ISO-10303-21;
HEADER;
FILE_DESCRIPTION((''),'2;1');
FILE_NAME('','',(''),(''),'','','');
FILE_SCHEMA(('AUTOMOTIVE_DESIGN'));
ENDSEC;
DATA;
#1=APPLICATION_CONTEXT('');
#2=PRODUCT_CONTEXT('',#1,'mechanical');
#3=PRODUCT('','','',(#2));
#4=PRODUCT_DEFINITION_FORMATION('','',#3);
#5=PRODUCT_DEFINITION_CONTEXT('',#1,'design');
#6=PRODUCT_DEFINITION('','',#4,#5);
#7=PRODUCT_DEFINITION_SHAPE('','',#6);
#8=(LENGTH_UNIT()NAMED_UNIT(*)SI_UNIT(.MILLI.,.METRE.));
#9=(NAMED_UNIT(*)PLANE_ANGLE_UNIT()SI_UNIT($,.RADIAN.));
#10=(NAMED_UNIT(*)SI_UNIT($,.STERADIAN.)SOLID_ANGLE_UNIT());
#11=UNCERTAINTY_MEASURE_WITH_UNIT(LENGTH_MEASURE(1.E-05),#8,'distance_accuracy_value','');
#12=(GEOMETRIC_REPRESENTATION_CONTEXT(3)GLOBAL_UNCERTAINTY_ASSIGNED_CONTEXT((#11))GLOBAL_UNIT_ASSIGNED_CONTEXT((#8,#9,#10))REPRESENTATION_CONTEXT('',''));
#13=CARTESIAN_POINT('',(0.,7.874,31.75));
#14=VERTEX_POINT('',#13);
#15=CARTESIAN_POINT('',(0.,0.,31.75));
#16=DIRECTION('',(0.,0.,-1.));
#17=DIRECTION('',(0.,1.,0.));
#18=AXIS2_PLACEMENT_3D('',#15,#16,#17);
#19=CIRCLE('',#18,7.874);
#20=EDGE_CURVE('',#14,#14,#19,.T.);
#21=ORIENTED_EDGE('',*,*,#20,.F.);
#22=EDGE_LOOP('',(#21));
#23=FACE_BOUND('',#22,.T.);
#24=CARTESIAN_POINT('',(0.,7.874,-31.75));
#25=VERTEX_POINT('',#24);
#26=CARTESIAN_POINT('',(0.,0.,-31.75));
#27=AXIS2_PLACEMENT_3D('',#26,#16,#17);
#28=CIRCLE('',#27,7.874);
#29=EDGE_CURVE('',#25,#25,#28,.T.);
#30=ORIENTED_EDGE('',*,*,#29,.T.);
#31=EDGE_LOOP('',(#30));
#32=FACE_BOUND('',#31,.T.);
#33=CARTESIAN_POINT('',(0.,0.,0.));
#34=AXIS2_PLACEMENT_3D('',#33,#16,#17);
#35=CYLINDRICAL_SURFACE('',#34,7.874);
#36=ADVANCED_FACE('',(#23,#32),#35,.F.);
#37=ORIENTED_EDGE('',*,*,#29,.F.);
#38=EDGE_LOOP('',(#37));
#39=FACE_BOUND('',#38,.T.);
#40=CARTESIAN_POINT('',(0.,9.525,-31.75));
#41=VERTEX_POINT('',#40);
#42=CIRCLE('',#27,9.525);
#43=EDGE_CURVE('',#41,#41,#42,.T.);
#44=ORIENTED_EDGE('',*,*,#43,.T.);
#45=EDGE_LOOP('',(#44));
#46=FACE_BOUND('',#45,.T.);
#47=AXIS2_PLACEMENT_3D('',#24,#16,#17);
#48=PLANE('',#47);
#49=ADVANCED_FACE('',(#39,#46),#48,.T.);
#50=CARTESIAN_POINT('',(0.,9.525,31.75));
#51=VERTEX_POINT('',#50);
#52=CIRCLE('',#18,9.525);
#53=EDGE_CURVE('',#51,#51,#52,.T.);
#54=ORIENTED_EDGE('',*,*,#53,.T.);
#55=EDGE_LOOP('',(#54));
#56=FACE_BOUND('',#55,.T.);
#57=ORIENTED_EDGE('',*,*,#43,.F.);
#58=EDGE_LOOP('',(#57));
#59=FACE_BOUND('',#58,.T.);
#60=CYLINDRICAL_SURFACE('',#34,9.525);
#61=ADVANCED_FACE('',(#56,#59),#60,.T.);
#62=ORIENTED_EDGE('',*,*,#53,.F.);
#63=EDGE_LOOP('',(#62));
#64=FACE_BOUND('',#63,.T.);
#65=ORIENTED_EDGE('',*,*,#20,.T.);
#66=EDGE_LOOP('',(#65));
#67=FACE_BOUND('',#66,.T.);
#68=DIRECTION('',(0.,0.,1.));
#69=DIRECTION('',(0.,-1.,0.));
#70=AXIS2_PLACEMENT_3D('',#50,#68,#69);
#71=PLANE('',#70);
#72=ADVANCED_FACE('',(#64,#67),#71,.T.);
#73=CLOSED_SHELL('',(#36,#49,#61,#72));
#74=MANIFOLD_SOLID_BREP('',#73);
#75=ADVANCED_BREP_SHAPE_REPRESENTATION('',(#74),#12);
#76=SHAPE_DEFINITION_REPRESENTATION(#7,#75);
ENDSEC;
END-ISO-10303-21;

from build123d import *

# Parameters (mm, degrees)
SKETCH1_W = 63.5
SKETCH1_H = 1.651


with BuildPart() as part:
    # Sketch1 → Revolve1 (revolve)
    with BuildSketch(Plane(origin=(0, 0, 0), x_dir=(0, 0, -1), z_dir=(1, 0, 0))):
        with Locations((0, 8.6995)):
            Rectangle(SKETCH1_W, SKETCH1_H)
    revolve(axis=Axis((0, 0, 0), (0, 0, 1)))


solid = part.part
